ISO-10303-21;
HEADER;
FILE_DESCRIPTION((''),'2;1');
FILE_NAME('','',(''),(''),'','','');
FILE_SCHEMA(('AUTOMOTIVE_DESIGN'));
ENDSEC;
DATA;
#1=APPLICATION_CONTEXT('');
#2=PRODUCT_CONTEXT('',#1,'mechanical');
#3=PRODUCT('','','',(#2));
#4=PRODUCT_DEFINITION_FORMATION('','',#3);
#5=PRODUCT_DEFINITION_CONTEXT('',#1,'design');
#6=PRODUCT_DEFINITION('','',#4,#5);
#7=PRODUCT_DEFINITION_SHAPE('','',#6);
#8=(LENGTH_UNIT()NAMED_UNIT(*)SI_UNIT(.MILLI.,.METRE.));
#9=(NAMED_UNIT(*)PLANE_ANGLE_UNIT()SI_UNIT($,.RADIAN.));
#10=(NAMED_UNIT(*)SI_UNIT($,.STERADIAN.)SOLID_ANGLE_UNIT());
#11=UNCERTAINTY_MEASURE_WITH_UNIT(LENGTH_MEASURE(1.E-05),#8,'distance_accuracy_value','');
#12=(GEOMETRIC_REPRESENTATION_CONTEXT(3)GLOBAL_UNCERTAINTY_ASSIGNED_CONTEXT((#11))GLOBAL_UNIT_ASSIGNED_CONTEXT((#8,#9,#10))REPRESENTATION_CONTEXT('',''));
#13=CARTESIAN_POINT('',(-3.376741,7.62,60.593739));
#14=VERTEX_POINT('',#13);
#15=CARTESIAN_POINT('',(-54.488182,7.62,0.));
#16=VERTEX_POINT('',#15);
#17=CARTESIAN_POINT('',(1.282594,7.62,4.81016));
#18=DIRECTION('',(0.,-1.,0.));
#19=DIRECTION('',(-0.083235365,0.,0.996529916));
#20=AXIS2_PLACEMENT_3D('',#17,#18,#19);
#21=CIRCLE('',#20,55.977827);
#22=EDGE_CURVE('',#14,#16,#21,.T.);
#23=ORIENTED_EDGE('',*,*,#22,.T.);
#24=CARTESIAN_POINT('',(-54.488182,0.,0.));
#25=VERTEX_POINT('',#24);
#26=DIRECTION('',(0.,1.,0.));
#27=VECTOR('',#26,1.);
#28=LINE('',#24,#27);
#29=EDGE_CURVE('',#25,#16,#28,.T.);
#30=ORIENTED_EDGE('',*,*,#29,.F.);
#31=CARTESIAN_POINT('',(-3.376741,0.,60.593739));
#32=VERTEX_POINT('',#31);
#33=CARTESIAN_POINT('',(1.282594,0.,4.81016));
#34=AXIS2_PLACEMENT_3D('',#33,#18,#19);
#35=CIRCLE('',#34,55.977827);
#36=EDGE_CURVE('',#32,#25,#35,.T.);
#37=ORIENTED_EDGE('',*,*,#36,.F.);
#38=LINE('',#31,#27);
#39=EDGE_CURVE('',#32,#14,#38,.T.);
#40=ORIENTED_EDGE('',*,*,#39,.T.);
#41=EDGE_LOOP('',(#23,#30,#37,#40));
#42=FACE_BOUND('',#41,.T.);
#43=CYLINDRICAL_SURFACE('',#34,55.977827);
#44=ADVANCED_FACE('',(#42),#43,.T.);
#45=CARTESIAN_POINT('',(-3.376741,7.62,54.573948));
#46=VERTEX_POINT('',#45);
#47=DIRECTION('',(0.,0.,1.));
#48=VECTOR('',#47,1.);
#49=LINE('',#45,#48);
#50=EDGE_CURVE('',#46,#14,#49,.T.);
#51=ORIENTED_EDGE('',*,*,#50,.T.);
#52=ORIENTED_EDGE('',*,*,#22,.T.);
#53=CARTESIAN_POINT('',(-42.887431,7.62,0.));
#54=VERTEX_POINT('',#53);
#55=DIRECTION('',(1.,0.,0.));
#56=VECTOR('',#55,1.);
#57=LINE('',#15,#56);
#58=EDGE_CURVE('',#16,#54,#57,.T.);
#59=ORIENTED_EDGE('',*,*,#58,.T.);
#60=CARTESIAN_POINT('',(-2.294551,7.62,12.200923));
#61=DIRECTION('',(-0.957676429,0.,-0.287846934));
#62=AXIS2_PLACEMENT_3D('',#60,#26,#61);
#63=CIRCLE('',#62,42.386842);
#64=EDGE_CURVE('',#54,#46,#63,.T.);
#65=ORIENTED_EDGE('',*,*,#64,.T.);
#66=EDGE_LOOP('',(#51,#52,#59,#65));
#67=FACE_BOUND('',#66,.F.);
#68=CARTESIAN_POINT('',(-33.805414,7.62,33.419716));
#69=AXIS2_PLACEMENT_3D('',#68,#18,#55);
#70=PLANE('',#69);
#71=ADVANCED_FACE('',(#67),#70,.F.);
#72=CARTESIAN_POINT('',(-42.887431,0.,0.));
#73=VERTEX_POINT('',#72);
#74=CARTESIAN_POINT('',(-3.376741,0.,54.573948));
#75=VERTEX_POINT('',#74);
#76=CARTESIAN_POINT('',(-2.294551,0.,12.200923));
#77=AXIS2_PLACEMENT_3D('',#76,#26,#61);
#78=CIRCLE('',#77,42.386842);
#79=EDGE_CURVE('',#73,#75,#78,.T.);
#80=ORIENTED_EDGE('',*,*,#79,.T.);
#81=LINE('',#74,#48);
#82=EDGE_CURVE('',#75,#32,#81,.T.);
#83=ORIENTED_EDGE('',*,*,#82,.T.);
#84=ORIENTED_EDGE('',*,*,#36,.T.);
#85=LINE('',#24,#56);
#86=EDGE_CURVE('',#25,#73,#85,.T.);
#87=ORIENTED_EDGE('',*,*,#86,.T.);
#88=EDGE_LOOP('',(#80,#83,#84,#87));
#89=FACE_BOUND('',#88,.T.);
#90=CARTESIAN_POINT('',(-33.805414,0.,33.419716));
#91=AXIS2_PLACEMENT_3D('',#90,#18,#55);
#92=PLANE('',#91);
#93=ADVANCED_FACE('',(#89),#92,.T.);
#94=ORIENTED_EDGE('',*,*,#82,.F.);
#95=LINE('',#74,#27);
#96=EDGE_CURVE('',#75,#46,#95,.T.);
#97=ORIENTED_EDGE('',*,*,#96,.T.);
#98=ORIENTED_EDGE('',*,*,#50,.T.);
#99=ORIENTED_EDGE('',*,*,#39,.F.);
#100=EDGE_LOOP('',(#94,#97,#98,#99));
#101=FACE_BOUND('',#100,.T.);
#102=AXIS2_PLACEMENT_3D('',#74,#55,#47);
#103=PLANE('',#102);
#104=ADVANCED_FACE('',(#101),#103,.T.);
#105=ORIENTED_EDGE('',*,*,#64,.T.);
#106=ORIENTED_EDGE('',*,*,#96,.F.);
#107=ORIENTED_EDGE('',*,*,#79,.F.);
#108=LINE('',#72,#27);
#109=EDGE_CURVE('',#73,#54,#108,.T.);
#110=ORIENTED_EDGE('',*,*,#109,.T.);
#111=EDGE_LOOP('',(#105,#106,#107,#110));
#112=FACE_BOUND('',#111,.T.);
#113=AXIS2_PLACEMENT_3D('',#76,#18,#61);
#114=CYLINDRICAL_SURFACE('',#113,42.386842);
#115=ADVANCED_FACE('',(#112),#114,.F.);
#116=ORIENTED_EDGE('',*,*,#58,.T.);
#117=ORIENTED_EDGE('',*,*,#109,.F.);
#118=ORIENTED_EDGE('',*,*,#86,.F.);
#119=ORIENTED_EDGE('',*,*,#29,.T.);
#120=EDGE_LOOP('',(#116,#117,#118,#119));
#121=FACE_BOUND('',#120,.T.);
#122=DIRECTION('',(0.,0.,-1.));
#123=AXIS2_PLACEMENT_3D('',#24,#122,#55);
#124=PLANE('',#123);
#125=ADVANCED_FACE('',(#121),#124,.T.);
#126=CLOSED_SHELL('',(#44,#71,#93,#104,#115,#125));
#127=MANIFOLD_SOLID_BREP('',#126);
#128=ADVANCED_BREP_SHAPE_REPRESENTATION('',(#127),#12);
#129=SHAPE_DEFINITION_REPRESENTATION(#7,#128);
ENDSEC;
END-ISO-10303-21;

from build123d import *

# Parameters (mm, degrees)
F1_DEPTH = 7.62


with BuildPart() as f1:
    # F0 (on Front) → F1 (new body)
    with BuildSketch(Plane.XZ):
        with BuildLine():
            ThreePointArc((-42.887431, 0), (-36.627943, 37.057765), (-3.376741, 54.573948))
            Line((-3.376741, 54.573948), (-3.376741, 60.593739))
            ThreePointArc((-3.376741, 60.593739), (-41.505838, 40.902641), (-54.488182, 0))
            Line((-54.488182, 0), (-42.887431, 0))
        make_face()
    extrude(amount=-F1_DEPTH)


solid = f1.part
